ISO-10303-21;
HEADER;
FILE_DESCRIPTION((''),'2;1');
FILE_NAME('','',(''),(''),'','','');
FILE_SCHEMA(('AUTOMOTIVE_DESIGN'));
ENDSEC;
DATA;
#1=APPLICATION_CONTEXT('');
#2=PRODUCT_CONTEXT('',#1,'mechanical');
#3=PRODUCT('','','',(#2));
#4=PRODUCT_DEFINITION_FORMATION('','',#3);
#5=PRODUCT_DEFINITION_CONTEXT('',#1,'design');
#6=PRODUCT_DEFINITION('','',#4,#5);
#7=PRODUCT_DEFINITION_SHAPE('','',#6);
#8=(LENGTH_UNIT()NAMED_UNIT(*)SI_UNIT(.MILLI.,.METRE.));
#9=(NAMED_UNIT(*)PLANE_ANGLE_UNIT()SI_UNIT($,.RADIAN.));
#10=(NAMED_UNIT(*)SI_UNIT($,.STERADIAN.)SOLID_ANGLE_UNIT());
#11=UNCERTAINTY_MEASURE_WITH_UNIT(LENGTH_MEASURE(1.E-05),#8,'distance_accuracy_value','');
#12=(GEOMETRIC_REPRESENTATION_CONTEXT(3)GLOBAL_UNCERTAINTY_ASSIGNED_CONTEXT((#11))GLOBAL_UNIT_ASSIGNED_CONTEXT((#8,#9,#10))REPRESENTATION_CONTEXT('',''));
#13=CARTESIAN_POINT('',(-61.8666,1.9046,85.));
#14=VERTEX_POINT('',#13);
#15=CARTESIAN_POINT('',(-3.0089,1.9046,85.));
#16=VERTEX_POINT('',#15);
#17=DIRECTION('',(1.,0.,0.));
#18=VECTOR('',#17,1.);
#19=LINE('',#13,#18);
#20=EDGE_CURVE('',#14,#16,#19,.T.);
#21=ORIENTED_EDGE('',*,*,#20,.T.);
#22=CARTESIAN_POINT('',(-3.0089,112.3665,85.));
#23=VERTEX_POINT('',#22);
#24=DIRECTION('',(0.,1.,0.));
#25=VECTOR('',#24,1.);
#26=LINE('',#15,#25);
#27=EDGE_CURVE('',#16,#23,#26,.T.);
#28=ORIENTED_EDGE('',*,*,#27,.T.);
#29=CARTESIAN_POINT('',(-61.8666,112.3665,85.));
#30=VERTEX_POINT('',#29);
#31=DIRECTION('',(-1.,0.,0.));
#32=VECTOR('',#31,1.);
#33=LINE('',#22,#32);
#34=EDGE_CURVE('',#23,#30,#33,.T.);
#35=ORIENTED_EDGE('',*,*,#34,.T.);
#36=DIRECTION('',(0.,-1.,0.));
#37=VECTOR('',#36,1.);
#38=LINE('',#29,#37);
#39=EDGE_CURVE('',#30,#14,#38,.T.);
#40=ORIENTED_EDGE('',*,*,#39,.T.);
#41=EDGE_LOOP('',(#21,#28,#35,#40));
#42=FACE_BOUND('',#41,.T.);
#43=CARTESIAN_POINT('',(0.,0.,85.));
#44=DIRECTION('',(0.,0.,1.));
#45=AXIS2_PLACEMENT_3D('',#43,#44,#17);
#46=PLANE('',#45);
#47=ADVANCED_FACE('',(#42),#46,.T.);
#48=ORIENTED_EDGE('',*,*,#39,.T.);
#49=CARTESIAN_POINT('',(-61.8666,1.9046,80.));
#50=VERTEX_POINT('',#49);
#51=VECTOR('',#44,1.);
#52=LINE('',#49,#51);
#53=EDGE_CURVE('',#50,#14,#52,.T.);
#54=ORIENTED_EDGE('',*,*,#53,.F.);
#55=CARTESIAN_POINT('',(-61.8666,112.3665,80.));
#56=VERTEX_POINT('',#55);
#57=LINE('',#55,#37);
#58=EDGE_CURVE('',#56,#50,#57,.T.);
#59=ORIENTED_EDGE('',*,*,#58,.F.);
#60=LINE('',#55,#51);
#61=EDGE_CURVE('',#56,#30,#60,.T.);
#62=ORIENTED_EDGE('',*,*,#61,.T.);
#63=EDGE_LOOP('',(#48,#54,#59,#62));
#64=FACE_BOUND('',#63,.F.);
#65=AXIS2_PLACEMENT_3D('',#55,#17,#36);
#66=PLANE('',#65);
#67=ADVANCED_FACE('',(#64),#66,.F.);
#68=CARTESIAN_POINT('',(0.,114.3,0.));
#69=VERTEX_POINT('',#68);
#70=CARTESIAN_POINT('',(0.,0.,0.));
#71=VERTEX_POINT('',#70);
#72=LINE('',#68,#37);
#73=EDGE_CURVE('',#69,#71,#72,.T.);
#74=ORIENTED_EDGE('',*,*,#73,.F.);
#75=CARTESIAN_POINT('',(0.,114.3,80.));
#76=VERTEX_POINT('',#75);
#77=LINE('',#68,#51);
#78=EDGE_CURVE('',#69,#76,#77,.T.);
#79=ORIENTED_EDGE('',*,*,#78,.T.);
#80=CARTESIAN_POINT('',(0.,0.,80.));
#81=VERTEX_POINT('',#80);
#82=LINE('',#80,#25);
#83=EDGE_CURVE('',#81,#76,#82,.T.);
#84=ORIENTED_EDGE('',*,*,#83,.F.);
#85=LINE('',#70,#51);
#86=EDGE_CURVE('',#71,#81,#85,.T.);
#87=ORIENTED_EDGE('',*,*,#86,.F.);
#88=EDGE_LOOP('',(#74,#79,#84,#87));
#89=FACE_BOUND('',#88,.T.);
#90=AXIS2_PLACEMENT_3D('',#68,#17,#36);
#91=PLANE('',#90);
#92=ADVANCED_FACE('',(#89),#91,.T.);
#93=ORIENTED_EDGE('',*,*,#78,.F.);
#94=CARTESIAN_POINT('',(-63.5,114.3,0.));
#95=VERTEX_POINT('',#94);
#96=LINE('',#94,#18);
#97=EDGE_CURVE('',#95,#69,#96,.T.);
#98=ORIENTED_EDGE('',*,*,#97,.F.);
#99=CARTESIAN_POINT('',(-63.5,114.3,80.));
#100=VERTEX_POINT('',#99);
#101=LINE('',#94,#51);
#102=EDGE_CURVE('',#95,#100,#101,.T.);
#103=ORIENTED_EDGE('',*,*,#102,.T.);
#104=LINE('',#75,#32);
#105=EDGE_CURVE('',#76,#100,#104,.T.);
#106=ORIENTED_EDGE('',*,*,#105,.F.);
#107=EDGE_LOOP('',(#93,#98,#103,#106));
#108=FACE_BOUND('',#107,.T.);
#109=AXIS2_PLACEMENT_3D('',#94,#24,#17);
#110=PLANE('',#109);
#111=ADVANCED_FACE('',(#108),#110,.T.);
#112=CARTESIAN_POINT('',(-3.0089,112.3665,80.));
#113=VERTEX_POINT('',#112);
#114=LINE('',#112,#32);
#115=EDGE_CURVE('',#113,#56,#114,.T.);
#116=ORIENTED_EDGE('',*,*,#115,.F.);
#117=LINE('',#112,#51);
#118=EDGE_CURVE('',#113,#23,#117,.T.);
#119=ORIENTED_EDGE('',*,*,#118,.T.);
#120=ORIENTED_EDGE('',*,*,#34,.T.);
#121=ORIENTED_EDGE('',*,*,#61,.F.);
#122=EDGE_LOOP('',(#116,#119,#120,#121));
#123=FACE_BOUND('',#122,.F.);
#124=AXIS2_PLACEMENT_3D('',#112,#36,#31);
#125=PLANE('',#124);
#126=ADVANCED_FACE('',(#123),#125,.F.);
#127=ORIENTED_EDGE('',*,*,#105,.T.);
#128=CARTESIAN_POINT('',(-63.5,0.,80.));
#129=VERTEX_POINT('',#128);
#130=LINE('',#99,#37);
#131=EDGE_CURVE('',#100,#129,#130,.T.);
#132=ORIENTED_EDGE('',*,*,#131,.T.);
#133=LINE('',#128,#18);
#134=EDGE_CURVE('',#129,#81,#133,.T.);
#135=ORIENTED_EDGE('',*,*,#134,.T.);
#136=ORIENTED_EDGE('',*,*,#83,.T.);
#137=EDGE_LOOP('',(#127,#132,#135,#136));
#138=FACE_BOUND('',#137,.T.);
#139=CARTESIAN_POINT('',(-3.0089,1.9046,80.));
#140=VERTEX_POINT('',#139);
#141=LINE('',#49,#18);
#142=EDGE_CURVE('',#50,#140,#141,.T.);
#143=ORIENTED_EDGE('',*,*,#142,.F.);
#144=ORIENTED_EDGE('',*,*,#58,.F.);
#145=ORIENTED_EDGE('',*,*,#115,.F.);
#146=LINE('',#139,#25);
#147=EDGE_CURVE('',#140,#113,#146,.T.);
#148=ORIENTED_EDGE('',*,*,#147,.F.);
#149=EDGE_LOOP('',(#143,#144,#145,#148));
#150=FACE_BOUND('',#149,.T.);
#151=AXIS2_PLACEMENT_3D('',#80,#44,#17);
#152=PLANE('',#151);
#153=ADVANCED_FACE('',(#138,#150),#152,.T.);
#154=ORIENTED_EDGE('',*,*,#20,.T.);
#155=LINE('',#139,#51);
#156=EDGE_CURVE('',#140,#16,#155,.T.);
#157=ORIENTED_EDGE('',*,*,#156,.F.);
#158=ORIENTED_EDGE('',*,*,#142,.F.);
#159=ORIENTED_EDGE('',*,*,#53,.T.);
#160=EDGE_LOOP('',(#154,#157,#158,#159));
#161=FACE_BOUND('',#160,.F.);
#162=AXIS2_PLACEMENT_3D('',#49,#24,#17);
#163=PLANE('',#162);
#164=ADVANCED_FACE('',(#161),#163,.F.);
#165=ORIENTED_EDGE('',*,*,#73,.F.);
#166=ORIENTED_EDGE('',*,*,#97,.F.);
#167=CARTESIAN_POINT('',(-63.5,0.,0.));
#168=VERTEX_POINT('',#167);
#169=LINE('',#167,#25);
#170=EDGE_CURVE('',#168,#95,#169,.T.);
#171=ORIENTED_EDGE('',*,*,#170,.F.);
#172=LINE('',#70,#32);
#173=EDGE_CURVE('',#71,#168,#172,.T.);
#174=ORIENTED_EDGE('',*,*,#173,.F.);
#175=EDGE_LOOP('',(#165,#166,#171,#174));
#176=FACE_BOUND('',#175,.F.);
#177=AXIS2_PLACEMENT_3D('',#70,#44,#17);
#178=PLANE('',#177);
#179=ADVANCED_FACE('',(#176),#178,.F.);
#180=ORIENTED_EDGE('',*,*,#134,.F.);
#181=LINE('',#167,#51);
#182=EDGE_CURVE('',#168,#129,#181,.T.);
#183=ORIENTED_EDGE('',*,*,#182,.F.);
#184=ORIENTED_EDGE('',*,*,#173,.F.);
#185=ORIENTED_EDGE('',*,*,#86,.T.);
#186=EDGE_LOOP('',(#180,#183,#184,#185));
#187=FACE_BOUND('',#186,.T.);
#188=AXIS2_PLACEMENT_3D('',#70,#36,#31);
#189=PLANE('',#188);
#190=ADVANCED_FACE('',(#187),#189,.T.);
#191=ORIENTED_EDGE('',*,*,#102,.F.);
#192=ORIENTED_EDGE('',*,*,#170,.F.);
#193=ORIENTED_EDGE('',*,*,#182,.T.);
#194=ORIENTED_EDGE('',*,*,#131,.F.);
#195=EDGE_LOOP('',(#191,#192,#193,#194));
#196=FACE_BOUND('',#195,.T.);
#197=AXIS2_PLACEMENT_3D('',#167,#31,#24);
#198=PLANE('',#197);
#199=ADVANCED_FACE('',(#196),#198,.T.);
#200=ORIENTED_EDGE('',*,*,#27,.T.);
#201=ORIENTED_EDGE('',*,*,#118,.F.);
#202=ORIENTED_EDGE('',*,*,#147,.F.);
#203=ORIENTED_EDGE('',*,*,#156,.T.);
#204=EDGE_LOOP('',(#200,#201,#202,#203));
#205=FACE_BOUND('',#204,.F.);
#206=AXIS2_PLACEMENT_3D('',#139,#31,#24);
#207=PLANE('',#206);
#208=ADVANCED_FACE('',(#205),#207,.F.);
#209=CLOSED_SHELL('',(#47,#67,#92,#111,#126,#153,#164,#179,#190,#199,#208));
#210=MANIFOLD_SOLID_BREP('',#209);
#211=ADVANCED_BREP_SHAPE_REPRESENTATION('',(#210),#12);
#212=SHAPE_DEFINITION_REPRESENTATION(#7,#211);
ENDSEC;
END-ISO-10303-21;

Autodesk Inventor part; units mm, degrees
ref_plane "YZ Plane" through (0, 0, 0) normal (1, 0, 0) x (0, 1, 0)
ref_plane "XZ Plane" through (0, 0, 0) normal (0, 1, 0) x (-1, 0, 0)
ref_plane "XY Plane" through (0, 0, 0) normal (0, 0, 1) x (1, 0, 0)
sketch "Sketch1" plane through (0, 0, 0) normal (0, 0, 1) x (1, 0, 0)
  line L0 (0, 0) -> (-63.5, 0)
  line L1 (-63.5, 0) -> (-63.5, 114.3)
  line L2 (-63.5, 114.3) -> (0, 114.3)
  line L3 (0, 114.3) -> (0, 0)
  dimension "d0" = 63.5
  dimension "d1" = 114.3
extrude "Extrusion1" add sketch "Sketch1" along normal blind 85
sketch "Sketch2" plane through (0, 0, 85) normal (0, 0, 1) x (1, 0, 0)
  line L0 (0, 114.3) -> (-63.5, 114.3) projected
  line L1 (-63.5, 114.3) -> (-63.5, 0) projected
  line L2 (0, 114.3) -> (-63.5, 114.3)
  line L3 (-63.5, 114.3) -> (-63.5, 0)
  line L4 (-63.5, 0) -> (0, 0)
  line L5 (0, 0) -> (0, 114.3)
  point P0 (0, 0)
extrude "Extrusion2" cut sketch "Sketch2" against normal blind 5
sketch "Sketch3" plane through (0, 0, 80) normal (0, 0, 1) x (1, 0, 0)
  line L0 (-3.0089, 112.3665) -> (-61.8666, 112.3665)
  line L1 (-61.8666, 112.3665) -> (-61.8666, 1.9046)
  line L2 (-61.8666, 1.9046) -> (-3.0089, 1.9046)
  line L3 (-3.0089, 1.9046) -> (-3.0089, 112.3665)
  point P0 (0, 0)
extrude "Extrusion3" add sketch "Sketch3" along normal blind 5
properties part number "battery" material "LCP Plastic"
